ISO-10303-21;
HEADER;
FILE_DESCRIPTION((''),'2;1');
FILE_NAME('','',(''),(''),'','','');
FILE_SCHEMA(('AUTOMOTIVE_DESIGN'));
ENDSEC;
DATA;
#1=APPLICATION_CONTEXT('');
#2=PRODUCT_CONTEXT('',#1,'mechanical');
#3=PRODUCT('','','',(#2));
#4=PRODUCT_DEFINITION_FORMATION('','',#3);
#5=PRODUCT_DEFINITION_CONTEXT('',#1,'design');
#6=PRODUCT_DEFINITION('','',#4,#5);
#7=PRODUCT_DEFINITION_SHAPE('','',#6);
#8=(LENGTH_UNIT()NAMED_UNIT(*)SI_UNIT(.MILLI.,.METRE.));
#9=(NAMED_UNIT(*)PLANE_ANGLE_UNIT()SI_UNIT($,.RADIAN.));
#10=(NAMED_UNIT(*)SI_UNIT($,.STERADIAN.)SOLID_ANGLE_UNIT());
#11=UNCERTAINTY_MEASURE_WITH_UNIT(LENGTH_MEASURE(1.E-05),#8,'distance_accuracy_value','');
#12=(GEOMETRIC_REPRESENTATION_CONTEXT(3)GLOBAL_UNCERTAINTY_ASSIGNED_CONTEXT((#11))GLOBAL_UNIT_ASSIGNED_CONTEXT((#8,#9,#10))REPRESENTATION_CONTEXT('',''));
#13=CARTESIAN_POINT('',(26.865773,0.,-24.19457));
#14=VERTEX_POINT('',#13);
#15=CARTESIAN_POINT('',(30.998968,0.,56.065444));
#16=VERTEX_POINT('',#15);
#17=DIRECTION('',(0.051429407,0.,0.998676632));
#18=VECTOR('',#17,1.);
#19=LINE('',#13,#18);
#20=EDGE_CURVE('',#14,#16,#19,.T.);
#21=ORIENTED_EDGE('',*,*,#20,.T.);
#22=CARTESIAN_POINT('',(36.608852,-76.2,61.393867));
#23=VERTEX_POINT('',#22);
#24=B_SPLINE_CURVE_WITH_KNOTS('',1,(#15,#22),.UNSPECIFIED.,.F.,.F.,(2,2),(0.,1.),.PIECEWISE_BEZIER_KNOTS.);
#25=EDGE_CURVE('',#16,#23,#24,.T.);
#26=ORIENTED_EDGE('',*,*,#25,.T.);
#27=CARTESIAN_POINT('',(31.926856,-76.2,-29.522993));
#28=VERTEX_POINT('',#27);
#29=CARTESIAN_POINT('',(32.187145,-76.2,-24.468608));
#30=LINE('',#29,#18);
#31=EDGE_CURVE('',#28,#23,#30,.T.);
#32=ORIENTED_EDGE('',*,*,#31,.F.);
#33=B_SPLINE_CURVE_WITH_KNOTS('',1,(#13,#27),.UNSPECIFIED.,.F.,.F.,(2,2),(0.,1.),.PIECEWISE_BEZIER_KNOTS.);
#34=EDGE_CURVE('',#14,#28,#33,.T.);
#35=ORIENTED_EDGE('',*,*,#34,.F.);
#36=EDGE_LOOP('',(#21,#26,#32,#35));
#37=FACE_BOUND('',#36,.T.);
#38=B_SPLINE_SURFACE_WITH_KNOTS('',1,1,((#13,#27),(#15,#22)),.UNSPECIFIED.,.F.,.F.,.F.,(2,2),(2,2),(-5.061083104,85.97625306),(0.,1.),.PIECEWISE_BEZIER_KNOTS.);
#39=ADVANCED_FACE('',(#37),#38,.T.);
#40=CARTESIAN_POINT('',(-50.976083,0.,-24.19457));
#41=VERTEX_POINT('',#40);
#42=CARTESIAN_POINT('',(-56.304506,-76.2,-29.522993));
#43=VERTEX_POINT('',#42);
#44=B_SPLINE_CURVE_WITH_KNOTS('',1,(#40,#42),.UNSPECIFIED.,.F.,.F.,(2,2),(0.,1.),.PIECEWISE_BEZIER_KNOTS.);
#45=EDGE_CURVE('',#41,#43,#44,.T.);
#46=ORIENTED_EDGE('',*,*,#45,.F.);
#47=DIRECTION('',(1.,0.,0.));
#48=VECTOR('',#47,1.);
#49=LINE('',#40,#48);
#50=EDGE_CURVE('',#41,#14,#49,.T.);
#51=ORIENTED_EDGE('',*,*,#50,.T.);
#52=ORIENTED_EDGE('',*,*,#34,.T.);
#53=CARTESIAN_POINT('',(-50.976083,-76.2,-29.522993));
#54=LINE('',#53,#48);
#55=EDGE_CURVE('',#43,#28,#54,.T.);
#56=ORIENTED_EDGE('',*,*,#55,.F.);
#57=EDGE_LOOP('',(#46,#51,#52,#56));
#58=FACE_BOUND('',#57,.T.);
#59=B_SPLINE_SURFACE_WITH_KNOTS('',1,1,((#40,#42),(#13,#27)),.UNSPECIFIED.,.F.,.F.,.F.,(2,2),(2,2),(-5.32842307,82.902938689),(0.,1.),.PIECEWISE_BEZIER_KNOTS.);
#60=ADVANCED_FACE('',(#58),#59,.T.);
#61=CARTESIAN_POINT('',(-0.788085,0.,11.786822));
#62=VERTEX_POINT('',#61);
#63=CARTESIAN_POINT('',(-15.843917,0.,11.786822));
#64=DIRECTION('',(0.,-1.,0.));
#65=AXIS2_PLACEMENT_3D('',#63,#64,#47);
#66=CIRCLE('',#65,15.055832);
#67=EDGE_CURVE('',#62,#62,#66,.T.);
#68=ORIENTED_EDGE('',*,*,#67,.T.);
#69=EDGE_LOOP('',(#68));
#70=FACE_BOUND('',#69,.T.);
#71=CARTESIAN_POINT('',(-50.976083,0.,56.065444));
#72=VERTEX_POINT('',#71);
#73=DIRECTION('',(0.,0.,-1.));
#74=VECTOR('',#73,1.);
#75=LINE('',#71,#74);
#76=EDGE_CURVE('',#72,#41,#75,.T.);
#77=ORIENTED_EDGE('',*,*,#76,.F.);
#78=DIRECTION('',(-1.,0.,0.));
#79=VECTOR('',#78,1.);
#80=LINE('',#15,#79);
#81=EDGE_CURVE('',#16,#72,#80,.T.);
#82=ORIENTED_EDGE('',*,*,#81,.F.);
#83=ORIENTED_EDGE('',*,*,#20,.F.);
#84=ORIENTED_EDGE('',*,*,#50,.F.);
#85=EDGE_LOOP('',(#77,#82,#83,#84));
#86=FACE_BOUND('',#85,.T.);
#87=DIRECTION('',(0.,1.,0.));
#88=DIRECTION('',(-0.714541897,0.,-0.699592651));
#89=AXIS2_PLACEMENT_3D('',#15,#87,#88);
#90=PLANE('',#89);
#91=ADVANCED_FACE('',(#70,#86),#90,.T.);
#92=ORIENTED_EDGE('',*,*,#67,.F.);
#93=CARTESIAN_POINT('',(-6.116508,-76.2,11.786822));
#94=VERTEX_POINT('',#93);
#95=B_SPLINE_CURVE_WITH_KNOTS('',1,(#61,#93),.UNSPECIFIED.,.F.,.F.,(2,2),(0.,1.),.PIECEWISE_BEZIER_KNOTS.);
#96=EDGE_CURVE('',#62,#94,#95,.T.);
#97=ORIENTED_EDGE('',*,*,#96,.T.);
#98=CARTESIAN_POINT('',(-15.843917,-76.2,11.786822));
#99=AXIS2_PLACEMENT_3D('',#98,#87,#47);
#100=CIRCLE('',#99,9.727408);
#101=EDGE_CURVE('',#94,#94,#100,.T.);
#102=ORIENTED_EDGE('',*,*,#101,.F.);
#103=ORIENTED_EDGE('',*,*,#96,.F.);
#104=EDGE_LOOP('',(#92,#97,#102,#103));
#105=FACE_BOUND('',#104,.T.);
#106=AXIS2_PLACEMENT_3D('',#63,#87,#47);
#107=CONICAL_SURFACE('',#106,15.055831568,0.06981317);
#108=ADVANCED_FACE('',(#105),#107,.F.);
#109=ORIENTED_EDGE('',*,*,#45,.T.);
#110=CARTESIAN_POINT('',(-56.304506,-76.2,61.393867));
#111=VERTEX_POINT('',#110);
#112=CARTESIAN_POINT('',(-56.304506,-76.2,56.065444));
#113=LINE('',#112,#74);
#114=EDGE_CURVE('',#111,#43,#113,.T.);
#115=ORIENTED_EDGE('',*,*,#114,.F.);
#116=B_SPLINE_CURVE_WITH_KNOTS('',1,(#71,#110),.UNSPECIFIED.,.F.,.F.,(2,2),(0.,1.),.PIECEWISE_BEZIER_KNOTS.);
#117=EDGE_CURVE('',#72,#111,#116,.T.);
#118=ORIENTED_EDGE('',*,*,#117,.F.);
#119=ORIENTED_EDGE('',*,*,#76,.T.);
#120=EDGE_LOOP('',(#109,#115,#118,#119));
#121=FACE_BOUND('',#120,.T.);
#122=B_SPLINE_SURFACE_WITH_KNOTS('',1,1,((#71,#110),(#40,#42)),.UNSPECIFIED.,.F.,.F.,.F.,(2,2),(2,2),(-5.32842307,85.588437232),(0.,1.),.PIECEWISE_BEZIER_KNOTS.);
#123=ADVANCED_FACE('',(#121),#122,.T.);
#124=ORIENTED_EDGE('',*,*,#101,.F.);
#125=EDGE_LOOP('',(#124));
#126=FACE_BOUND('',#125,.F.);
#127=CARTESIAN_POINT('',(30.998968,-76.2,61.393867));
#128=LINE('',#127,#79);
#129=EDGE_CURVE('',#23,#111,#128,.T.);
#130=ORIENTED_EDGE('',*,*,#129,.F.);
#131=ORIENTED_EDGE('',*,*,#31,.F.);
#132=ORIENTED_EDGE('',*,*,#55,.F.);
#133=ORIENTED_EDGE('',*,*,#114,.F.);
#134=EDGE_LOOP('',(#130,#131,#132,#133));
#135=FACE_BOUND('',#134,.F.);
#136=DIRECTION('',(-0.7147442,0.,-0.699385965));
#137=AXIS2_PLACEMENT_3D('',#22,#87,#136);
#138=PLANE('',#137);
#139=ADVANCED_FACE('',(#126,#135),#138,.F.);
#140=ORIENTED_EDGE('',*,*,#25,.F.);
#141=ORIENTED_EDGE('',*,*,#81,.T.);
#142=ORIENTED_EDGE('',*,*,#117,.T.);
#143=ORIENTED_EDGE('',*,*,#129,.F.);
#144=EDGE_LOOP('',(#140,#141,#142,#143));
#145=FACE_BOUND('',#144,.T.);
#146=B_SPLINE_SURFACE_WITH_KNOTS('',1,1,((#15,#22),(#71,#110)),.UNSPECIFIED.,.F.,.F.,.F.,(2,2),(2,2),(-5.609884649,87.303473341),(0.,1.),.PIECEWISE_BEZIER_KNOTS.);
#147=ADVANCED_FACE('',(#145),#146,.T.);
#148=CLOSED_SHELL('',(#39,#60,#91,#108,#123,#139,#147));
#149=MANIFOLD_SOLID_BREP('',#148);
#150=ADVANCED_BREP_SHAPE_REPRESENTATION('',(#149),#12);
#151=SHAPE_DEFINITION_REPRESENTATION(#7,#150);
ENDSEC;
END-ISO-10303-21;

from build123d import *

# Parameters (mm, degrees)
F0_R     = 15.0558315676
F1_DEPTH = 76.2
F1_TAPER = -4


with BuildPart() as f1:
    # F0 (on Front) → F1 (new body)
    with BuildSketch(Plane.XZ):
        Polygon((30.9989675879, 56.0654439032), (-50.9760826826, 56.0654439032), (-50.9760826826, -24.1945702583), (26.865772903, -24.1945702583), align=None)
        with Locations((-15.8439166844, 11.7868222296)):
            Circle(F0_R, mode=Mode.SUBTRACT)
    extrude(amount=F1_DEPTH, taper=F1_TAPER)


solid = f1.part
